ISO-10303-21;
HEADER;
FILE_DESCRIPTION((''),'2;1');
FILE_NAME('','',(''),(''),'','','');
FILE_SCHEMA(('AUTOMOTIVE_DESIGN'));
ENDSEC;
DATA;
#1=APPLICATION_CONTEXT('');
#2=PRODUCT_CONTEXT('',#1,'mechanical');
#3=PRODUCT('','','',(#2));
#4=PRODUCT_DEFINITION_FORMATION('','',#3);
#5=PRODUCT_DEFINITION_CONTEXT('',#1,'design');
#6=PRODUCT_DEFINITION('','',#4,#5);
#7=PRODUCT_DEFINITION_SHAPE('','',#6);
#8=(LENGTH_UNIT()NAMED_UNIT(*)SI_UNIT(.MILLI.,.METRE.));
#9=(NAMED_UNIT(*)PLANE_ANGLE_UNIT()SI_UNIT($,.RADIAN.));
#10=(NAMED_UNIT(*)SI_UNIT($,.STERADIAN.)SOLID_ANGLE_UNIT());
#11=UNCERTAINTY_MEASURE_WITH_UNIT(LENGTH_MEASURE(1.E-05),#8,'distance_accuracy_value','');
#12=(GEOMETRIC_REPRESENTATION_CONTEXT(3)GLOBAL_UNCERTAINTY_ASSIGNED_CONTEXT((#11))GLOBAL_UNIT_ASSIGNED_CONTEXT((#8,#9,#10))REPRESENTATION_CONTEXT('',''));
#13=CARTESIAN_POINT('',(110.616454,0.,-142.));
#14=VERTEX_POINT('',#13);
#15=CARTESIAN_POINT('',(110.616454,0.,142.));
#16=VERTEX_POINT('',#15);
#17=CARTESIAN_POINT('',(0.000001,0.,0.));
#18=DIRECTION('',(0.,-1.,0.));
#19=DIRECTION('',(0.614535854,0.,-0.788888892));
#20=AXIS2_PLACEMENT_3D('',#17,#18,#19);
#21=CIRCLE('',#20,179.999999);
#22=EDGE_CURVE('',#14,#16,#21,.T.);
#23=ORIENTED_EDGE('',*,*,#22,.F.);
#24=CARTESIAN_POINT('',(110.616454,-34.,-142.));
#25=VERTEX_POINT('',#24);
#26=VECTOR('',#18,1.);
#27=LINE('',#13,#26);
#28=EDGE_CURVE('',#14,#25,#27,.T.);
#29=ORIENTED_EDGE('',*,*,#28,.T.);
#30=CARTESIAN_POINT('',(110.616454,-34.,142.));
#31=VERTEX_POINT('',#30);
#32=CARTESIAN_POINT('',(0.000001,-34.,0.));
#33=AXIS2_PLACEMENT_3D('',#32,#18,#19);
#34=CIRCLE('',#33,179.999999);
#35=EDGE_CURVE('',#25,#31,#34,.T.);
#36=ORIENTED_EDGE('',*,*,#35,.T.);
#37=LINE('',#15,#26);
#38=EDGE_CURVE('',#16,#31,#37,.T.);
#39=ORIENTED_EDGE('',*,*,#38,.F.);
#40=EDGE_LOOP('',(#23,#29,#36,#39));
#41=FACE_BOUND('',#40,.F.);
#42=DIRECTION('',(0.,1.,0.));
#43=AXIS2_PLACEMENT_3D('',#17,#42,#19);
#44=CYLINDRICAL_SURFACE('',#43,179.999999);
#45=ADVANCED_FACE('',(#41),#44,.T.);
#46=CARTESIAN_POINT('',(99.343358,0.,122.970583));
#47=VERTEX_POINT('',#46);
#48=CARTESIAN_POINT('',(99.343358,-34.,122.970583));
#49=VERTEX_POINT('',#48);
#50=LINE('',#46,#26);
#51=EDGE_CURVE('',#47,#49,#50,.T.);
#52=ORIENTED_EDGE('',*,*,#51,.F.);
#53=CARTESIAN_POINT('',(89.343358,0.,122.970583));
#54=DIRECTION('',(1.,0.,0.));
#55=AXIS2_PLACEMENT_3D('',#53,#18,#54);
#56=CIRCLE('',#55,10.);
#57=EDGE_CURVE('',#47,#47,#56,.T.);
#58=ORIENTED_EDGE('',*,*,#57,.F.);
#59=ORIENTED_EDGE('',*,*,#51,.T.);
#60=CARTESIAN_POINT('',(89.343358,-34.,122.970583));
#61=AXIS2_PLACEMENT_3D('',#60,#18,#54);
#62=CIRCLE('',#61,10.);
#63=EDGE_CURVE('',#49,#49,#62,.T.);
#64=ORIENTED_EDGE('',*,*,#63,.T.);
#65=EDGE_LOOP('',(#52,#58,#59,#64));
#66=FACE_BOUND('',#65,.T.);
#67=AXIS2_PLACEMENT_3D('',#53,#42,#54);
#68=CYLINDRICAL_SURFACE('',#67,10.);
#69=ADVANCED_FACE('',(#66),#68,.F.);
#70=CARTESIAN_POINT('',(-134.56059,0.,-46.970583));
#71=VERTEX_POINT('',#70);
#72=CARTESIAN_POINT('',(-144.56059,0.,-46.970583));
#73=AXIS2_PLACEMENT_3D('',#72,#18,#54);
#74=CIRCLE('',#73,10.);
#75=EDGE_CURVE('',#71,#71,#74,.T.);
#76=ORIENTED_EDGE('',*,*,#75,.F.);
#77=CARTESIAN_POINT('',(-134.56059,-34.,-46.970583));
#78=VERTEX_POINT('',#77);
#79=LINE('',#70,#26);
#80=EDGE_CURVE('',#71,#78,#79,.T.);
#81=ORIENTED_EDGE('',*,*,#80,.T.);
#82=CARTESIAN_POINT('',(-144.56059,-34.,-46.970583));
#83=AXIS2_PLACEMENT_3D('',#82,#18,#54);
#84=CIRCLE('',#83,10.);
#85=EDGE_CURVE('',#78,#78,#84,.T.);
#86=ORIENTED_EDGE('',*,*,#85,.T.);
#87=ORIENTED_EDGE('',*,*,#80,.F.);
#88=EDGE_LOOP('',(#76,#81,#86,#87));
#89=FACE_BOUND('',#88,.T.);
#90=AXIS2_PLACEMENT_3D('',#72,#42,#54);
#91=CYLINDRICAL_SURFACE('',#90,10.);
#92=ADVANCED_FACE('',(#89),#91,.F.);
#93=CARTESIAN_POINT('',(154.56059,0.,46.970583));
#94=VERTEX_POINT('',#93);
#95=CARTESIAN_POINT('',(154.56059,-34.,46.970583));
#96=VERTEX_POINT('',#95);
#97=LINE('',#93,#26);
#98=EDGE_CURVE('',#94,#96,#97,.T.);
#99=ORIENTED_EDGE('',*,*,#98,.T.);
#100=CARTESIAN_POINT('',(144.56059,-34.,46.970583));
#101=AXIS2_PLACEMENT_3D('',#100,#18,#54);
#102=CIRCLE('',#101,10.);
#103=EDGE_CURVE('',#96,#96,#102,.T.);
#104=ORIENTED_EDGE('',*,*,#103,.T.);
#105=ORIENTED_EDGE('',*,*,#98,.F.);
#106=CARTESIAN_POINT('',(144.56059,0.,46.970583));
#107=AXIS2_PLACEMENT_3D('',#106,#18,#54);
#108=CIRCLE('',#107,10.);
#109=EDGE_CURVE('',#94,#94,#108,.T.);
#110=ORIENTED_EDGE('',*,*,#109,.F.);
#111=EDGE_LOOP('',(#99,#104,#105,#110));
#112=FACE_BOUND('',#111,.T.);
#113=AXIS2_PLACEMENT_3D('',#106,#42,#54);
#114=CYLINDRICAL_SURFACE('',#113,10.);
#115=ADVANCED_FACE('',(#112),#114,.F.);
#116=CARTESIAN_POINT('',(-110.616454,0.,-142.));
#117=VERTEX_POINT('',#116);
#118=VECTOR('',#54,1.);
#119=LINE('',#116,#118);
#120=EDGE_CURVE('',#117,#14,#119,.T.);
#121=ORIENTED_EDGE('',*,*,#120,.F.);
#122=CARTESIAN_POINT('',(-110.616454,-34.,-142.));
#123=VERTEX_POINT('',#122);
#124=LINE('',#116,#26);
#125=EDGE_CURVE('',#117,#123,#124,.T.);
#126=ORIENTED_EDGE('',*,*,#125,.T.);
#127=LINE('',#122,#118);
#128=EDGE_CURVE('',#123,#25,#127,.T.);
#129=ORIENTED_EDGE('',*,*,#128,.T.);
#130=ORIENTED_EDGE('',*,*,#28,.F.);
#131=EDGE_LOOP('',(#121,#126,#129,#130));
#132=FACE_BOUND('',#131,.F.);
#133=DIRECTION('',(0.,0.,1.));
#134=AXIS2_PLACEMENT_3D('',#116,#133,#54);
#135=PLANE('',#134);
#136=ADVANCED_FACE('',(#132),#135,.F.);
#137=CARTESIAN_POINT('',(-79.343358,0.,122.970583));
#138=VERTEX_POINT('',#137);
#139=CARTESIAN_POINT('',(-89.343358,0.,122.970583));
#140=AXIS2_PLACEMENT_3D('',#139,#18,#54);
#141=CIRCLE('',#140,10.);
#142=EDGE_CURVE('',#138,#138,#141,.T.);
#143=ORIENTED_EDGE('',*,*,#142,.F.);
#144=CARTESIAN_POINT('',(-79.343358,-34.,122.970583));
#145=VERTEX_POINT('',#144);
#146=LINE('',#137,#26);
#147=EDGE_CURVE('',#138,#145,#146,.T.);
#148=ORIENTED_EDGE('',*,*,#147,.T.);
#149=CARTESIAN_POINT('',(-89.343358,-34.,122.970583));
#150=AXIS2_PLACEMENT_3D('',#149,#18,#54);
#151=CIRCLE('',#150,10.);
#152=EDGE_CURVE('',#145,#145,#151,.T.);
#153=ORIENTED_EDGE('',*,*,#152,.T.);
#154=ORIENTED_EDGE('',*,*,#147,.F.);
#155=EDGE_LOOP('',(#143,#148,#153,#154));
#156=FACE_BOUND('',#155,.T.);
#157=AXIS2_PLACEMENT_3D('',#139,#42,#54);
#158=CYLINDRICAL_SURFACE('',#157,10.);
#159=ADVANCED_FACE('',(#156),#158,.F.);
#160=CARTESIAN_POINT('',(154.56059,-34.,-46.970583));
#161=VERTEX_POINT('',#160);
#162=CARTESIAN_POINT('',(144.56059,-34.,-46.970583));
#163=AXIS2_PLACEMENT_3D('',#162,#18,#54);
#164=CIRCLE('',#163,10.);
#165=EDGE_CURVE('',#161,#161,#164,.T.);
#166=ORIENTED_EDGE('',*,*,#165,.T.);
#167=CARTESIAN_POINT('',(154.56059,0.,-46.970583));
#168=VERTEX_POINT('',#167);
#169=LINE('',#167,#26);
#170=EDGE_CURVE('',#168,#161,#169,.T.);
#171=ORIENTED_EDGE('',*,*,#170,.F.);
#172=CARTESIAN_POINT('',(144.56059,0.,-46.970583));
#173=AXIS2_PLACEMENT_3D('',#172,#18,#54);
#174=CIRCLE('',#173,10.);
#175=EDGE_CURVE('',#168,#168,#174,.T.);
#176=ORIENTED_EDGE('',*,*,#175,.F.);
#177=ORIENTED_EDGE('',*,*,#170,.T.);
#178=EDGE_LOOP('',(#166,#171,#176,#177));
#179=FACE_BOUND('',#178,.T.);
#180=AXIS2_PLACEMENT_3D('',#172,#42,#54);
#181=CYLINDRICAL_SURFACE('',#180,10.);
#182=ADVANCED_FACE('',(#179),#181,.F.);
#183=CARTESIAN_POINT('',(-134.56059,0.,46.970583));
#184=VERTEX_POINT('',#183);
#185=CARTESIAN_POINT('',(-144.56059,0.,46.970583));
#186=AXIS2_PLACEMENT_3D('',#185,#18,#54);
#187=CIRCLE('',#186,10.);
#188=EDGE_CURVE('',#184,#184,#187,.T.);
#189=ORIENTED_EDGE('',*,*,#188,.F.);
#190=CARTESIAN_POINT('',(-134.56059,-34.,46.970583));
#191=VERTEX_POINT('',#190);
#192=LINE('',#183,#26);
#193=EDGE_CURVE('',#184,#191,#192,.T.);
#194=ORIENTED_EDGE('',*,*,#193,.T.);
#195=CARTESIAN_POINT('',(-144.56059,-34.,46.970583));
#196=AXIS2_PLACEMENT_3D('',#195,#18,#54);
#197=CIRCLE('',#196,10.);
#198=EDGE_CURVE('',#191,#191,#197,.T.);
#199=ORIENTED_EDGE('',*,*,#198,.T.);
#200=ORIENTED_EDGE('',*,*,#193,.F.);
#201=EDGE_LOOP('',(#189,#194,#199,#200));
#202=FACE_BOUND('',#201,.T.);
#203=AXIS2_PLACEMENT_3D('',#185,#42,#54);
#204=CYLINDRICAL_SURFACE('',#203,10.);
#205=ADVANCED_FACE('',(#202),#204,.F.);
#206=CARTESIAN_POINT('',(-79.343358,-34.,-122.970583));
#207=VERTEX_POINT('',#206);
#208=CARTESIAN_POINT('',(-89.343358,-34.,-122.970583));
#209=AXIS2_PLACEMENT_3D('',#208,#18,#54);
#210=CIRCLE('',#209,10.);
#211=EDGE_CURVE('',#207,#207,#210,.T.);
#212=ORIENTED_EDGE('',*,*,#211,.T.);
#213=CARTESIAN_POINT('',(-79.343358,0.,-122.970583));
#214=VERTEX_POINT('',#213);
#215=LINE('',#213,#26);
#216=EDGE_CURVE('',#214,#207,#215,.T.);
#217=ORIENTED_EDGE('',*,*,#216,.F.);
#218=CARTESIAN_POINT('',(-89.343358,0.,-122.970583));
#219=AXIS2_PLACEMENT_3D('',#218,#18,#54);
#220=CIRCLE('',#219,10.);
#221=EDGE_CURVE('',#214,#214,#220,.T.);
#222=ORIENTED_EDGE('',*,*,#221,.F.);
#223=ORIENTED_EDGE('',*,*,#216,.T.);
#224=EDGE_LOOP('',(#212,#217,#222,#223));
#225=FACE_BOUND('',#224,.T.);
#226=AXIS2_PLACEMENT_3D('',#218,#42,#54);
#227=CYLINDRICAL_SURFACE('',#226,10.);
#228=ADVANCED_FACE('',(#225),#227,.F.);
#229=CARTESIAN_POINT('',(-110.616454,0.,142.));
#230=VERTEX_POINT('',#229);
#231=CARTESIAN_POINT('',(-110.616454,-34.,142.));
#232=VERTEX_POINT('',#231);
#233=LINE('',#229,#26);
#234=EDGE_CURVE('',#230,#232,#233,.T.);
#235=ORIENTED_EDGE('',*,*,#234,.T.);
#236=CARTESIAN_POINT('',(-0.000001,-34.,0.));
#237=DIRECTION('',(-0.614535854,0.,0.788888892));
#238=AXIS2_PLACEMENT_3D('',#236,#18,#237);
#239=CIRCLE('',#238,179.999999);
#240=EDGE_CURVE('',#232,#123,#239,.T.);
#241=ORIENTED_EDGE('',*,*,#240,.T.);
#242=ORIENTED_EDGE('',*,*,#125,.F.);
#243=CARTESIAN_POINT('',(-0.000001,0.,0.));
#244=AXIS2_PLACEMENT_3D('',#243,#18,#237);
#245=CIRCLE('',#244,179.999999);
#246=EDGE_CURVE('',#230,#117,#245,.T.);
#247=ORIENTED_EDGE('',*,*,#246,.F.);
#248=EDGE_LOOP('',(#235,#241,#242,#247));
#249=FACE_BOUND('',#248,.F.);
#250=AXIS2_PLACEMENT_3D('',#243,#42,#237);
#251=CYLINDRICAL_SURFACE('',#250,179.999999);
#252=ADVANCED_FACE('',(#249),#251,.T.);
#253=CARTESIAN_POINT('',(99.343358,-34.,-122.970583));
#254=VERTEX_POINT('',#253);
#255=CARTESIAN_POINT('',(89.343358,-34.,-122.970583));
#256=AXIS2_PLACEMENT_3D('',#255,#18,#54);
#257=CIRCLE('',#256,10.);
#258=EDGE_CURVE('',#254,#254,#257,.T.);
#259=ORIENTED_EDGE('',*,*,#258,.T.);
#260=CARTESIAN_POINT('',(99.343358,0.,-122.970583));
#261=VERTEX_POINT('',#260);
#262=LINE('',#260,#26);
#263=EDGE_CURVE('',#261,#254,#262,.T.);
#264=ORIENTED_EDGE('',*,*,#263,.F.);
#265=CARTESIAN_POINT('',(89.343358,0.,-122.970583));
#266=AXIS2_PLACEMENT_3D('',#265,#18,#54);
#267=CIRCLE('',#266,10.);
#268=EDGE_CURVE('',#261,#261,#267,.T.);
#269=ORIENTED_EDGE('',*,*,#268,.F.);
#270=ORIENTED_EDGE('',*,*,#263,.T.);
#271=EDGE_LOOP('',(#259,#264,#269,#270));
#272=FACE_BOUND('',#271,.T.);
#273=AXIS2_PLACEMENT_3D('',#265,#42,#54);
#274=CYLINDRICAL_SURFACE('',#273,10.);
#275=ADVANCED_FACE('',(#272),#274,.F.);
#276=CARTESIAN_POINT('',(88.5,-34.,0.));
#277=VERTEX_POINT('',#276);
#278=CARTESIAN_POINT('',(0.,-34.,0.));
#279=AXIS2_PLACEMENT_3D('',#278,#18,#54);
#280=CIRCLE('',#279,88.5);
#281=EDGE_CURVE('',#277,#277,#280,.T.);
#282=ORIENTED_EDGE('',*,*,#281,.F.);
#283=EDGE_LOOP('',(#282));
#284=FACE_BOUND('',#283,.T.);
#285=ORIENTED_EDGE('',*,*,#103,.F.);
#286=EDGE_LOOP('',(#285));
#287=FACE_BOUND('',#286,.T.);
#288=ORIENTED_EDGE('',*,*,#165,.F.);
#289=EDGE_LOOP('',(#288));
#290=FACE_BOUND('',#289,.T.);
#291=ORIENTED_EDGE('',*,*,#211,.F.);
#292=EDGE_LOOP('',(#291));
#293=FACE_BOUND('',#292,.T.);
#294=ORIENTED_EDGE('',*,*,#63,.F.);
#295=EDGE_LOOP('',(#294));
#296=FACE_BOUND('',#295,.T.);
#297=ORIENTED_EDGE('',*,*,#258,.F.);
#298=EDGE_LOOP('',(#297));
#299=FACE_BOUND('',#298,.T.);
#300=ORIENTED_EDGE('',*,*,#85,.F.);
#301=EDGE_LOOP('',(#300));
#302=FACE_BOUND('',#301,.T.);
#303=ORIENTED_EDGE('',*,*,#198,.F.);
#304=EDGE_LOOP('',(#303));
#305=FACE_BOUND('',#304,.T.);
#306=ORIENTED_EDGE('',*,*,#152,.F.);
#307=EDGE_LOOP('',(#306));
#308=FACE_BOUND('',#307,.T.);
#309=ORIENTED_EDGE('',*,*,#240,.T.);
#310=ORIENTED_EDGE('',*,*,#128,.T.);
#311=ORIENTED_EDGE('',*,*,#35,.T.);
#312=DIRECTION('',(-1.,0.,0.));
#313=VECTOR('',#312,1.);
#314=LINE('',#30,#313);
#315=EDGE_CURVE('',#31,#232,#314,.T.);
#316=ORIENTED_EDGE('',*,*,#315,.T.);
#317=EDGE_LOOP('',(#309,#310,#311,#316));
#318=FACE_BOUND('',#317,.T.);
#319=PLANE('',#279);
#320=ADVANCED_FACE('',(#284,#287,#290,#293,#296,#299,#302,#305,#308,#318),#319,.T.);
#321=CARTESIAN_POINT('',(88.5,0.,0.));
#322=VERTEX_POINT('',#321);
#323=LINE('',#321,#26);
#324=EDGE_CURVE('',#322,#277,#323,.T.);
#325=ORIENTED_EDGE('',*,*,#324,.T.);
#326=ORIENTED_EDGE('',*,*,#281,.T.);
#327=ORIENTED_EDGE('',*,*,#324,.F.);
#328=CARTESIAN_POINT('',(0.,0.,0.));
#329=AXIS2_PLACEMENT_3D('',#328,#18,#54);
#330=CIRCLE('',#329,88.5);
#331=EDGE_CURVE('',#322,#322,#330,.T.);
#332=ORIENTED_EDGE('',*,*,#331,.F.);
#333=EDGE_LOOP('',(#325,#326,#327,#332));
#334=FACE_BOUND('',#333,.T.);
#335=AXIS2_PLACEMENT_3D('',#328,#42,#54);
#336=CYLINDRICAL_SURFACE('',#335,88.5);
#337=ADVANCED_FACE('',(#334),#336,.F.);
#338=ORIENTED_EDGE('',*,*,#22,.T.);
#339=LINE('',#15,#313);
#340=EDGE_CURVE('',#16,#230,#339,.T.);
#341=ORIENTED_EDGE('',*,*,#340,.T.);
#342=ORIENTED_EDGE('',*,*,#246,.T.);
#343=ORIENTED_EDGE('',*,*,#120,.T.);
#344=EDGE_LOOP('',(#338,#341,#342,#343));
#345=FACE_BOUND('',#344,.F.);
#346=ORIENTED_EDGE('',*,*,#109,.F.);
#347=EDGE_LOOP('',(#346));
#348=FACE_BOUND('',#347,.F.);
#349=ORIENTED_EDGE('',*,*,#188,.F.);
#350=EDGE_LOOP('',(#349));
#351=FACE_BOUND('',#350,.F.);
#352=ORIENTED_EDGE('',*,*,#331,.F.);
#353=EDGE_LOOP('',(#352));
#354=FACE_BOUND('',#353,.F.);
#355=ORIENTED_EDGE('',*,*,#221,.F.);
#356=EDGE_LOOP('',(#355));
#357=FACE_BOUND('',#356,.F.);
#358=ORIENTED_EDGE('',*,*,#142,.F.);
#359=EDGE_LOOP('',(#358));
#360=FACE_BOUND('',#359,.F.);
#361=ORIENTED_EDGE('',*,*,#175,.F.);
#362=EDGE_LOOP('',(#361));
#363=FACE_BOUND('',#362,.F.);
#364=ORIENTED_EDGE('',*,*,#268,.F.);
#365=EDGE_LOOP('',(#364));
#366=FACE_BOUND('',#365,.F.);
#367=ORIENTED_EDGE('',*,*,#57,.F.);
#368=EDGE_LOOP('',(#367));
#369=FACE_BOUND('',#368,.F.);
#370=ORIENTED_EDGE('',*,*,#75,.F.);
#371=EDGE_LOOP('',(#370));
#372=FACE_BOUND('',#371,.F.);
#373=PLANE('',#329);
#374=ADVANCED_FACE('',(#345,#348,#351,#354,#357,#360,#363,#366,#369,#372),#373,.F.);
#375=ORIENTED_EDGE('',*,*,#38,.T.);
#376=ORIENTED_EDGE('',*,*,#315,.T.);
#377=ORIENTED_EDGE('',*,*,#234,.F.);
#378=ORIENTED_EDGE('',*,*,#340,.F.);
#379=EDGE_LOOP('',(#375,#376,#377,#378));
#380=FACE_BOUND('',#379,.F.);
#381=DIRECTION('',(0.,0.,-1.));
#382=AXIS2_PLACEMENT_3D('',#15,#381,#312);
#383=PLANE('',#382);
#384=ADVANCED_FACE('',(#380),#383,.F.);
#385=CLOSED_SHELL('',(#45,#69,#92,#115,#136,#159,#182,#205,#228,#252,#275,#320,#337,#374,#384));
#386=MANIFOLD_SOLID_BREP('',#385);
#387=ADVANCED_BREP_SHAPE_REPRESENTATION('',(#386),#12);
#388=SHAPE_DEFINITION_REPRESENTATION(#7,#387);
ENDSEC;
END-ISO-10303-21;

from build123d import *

# Parameters (mm, degrees)
F0_R     = 10
F0_R_2   = 88.5
F1_DEPTH = 34


with BuildPart() as f1:
    # F0 (on Front) → F1 (new body)
    with BuildSketch(Plane.XZ):
        with BuildLine():
            Line((0, 142), (-110.616454, 142))
            ThreePointArc((-110.616454, 142), (-180, 0), (-110.616454, -142))
            Line((-110.616454, -142), (0, -142))
            Line((0, -142), (110.616454, -142))
            ThreePointArc((110.616454, -142), (180, 0), (110.616454, 142))
            Line((110.616454, 142), (0, 142))
        make_face()
        with Locations((-89.343358, -122.970583)):
            Circle(F0_R, mode=Mode.SUBTRACT)
        with Locations((-144.56059, -46.970583)):
            Circle(F0_R, mode=Mode.SUBTRACT)
        with Locations((89.343358, -122.970583)):
            Circle(F0_R, mode=Mode.SUBTRACT)
        with Locations((144.56059, -46.970583)):
            Circle(F0_R, mode=Mode.SUBTRACT)
        with Locations((-144.56059, 46.970583)):
            Circle(F0_R, mode=Mode.SUBTRACT)
        with Locations((-89.343358, 122.970583)):
            Circle(F0_R, mode=Mode.SUBTRACT)
        Circle(F0_R_2, mode=Mode.SUBTRACT)
        with Locations((144.56059, 46.970583)):
            Circle(F0_R, mode=Mode.SUBTRACT)
        with Locations((89.343358, 122.970583)):
            Circle(F0_R, mode=Mode.SUBTRACT)
    extrude(amount=F1_DEPTH)


solid = f1.part
